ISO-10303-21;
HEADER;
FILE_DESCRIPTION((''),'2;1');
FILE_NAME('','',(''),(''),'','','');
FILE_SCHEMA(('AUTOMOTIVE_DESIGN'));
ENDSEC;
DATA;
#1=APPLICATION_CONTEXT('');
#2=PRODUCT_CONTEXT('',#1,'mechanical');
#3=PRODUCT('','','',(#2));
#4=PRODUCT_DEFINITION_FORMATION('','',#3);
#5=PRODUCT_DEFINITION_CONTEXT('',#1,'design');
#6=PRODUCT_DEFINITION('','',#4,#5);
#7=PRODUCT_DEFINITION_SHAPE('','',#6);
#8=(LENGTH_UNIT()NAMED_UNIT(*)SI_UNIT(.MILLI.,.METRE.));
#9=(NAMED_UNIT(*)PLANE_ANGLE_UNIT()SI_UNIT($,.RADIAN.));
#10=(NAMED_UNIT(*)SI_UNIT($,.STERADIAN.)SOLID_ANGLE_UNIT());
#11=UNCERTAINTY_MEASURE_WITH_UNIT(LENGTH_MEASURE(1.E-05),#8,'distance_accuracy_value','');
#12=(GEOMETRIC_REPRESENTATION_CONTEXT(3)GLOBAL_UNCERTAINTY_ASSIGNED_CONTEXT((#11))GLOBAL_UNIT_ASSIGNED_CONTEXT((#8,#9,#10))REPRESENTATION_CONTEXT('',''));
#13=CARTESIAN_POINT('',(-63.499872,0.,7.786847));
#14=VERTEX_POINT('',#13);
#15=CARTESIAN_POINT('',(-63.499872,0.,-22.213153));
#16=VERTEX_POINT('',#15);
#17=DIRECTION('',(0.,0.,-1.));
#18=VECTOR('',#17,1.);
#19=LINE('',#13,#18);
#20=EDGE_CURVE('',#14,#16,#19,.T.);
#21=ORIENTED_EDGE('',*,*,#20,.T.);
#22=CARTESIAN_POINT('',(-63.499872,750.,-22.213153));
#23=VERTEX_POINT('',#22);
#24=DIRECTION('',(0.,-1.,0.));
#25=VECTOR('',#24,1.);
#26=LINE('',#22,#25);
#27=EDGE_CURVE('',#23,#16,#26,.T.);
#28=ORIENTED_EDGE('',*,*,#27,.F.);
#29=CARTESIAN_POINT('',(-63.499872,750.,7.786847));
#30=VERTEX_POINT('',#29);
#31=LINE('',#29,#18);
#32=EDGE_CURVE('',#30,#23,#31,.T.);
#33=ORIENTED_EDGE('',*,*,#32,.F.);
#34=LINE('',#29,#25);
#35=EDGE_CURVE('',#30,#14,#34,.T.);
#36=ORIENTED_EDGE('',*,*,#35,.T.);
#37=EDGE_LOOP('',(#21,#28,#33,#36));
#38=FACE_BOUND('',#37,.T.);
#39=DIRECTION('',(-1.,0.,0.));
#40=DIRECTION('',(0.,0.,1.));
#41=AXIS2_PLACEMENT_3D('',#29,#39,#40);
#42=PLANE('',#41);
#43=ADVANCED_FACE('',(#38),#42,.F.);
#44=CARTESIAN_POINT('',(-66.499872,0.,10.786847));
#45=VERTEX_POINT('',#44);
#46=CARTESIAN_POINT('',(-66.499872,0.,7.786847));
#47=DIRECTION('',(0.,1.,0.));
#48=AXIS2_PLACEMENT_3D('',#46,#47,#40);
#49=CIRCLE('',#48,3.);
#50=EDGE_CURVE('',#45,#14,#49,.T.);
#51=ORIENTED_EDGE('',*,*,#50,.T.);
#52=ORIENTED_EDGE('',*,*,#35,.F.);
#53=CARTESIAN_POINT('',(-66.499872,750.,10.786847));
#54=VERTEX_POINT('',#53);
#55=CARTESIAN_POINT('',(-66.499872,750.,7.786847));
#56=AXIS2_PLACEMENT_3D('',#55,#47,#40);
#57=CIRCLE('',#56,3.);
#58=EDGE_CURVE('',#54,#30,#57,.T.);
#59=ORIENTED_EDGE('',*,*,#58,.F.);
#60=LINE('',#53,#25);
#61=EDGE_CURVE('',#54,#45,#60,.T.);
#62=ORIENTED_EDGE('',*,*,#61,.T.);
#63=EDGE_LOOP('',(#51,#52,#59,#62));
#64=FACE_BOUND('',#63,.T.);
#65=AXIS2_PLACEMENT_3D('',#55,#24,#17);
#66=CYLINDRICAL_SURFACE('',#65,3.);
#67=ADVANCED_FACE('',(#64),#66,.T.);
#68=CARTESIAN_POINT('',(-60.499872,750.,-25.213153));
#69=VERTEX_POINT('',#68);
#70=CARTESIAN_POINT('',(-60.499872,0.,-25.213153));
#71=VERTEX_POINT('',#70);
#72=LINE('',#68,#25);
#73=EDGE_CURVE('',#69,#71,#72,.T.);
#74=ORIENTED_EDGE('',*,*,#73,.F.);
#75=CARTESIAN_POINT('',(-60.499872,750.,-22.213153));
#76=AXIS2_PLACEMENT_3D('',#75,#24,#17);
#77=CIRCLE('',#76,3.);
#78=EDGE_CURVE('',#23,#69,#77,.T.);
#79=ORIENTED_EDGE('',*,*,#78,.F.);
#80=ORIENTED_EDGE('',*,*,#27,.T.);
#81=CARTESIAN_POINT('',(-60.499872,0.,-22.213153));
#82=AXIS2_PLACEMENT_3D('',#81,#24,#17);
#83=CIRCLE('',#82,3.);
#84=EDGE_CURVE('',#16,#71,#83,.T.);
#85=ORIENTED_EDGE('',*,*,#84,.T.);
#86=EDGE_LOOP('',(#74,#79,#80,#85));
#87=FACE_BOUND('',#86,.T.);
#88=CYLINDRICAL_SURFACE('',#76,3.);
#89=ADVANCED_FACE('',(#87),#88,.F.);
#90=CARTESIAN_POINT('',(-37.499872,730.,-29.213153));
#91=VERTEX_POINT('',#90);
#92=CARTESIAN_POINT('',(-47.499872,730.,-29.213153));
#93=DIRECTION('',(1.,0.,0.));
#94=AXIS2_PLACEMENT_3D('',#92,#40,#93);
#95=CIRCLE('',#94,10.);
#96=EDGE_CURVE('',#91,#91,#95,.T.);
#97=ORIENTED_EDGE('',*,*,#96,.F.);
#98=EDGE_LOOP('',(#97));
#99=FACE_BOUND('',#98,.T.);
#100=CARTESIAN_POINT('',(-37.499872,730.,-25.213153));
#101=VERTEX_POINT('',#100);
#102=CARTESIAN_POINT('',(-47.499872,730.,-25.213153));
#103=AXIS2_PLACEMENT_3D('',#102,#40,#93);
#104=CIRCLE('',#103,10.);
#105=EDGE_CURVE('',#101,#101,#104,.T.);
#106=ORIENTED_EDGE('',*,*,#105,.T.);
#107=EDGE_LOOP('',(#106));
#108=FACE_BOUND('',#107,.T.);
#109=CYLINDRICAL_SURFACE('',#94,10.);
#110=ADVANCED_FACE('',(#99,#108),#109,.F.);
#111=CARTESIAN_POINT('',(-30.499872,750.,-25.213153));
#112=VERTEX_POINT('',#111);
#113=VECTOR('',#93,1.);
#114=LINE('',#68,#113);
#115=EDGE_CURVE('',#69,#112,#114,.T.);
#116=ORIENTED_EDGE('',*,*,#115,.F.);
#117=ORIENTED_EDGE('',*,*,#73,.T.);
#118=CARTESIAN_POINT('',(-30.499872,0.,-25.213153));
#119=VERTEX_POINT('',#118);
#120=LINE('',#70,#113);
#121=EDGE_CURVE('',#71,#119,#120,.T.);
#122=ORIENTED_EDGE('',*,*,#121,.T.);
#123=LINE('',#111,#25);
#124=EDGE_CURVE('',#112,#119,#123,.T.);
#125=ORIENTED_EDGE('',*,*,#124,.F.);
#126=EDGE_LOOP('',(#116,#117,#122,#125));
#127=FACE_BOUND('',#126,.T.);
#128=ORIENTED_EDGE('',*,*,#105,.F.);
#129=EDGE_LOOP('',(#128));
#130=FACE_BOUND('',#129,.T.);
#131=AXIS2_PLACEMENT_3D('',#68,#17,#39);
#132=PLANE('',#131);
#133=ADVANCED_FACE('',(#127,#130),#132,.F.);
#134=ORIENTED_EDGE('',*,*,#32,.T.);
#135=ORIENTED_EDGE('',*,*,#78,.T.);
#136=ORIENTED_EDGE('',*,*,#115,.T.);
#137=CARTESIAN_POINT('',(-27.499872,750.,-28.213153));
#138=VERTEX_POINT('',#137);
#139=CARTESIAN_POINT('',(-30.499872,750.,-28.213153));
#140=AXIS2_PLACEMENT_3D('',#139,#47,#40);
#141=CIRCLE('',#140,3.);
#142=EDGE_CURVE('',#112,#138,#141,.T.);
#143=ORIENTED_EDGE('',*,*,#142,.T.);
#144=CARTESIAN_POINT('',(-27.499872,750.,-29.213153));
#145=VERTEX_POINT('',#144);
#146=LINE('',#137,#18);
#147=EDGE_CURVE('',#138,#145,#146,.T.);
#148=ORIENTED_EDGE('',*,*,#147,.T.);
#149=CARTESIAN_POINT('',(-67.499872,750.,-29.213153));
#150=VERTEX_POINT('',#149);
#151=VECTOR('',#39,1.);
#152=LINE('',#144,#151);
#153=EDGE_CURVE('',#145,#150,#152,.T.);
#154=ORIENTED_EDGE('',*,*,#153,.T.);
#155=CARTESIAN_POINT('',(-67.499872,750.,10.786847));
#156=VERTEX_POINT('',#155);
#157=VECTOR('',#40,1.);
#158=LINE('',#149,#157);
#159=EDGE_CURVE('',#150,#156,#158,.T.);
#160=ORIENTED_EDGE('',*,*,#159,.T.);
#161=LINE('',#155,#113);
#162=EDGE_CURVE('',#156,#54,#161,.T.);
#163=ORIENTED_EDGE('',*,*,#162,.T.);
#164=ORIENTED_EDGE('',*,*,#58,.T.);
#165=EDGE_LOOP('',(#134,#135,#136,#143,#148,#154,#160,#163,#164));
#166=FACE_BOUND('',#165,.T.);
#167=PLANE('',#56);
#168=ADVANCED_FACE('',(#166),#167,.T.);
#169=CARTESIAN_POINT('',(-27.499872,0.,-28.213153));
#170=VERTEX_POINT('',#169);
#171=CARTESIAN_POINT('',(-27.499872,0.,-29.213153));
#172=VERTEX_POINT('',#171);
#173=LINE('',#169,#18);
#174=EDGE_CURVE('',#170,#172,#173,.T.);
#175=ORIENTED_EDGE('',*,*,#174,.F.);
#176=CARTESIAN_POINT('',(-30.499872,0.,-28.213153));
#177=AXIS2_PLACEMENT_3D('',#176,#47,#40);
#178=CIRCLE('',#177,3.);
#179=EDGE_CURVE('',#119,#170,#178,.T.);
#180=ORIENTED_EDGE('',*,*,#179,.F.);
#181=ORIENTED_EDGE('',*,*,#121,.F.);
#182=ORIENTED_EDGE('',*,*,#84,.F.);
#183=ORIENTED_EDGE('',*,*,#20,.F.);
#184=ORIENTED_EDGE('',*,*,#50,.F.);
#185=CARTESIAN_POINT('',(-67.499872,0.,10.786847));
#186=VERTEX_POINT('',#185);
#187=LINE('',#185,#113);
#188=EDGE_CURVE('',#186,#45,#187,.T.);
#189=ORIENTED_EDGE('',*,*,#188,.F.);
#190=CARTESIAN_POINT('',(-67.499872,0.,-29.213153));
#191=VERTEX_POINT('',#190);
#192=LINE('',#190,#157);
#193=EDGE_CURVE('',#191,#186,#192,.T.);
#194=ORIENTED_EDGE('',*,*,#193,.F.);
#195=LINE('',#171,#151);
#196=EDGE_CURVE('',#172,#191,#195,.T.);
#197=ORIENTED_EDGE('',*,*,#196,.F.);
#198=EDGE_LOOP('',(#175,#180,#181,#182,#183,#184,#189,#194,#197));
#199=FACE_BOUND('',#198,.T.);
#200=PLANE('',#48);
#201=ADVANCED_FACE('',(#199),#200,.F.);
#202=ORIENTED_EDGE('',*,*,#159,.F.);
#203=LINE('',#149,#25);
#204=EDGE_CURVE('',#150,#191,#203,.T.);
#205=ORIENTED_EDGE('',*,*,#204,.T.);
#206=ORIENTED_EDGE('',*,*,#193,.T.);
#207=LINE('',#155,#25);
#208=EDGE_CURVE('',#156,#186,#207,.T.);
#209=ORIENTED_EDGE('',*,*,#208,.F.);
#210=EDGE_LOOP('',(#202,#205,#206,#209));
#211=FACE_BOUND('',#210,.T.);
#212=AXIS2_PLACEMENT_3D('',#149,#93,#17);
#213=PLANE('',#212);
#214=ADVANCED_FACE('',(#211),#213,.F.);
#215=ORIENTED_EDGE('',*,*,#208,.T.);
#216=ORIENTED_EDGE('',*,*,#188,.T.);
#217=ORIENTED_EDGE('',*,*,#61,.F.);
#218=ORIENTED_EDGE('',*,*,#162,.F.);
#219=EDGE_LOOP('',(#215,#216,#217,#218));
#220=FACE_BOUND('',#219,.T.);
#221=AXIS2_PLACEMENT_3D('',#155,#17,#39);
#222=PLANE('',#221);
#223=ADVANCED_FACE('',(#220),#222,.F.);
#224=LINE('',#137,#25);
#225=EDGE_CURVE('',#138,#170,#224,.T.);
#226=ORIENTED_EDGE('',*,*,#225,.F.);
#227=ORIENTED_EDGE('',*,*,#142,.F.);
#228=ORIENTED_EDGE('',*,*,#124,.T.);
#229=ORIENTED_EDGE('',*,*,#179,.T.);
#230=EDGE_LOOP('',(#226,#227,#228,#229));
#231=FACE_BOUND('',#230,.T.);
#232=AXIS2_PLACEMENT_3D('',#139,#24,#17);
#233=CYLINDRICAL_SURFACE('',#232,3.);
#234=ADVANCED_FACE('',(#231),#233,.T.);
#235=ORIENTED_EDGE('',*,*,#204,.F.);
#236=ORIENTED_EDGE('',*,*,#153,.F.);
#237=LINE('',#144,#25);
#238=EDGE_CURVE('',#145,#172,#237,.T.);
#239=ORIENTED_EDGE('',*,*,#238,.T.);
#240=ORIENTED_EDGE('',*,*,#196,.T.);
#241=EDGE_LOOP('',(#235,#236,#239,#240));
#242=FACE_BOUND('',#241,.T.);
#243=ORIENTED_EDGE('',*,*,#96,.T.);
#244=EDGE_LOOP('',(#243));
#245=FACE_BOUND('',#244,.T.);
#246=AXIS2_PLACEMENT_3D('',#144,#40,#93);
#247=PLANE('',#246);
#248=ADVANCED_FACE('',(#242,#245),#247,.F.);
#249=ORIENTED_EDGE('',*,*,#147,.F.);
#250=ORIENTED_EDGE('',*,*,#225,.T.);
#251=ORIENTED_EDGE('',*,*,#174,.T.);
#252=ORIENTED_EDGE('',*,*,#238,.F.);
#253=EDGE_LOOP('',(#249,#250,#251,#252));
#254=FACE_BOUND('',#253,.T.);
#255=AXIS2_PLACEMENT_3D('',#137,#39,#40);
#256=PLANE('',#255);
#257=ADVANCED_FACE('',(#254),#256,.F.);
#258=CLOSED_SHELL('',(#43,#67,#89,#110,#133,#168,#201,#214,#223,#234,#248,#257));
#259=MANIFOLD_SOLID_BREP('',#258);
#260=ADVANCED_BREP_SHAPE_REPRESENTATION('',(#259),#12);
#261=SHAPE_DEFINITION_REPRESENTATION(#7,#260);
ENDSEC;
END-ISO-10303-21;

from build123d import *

# Parameters (mm, degrees)
BOSS_EXTRUDE1_DEPTH = 750
SKETCH2_R           = 10
CUT_EXTRUDE1_DEPTH  = 754.891393199


with BuildPart() as part:
    # Sketch1 → Boss-Extrude1 (new body)
    with BuildSketch(Plane(origin=(0, 0, 0), x_dir=(1, 0, 0), z_dir=(0, 1, 0))):
        with BuildLine():
            Line((-27.499872145, 29.213153277), (-67.499872145, 29.213153277))
            Line((-67.499872145, 29.213153277), (-67.499872145, -10.786846723))
            Line((-67.499872145, -10.786846723), (-66.499872145, -10.786846723))
            ThreePointArc((-66.499872145, -10.786846723), (-64.378551801, -9.908167067), (-63.499872145, -7.786846723))
            Line((-63.499872145, -7.786846723), (-63.499872145, 22.213153277))
            ThreePointArc((-63.499872145, 22.213153277), (-62.621192489, 24.334473621), (-60.499872145, 25.213153277))
            Line((-60.499872145, 25.213153277), (-30.499872145, 25.213153277))
            ThreePointArc((-30.499872145, 25.213153277), (-28.378551801, 26.091832933), (-27.499872145, 28.213153277))
            Line((-27.499872145, 28.213153277), (-27.499872145, 29.213153277))
        make_face()
    extrude(amount=BOSS_EXTRUDE1_DEPTH)

    # Sketch2 → Cut-Extrude1 (cut, through all)
    with BuildSketch(Plane.XY.offset(-25.213153277)):
        with Locations((-47.499872145, 730)):
            Circle(SKETCH2_R)
    extrude(amount=-CUT_EXTRUDE1_DEPTH, mode=Mode.SUBTRACT)


solid = part.part
